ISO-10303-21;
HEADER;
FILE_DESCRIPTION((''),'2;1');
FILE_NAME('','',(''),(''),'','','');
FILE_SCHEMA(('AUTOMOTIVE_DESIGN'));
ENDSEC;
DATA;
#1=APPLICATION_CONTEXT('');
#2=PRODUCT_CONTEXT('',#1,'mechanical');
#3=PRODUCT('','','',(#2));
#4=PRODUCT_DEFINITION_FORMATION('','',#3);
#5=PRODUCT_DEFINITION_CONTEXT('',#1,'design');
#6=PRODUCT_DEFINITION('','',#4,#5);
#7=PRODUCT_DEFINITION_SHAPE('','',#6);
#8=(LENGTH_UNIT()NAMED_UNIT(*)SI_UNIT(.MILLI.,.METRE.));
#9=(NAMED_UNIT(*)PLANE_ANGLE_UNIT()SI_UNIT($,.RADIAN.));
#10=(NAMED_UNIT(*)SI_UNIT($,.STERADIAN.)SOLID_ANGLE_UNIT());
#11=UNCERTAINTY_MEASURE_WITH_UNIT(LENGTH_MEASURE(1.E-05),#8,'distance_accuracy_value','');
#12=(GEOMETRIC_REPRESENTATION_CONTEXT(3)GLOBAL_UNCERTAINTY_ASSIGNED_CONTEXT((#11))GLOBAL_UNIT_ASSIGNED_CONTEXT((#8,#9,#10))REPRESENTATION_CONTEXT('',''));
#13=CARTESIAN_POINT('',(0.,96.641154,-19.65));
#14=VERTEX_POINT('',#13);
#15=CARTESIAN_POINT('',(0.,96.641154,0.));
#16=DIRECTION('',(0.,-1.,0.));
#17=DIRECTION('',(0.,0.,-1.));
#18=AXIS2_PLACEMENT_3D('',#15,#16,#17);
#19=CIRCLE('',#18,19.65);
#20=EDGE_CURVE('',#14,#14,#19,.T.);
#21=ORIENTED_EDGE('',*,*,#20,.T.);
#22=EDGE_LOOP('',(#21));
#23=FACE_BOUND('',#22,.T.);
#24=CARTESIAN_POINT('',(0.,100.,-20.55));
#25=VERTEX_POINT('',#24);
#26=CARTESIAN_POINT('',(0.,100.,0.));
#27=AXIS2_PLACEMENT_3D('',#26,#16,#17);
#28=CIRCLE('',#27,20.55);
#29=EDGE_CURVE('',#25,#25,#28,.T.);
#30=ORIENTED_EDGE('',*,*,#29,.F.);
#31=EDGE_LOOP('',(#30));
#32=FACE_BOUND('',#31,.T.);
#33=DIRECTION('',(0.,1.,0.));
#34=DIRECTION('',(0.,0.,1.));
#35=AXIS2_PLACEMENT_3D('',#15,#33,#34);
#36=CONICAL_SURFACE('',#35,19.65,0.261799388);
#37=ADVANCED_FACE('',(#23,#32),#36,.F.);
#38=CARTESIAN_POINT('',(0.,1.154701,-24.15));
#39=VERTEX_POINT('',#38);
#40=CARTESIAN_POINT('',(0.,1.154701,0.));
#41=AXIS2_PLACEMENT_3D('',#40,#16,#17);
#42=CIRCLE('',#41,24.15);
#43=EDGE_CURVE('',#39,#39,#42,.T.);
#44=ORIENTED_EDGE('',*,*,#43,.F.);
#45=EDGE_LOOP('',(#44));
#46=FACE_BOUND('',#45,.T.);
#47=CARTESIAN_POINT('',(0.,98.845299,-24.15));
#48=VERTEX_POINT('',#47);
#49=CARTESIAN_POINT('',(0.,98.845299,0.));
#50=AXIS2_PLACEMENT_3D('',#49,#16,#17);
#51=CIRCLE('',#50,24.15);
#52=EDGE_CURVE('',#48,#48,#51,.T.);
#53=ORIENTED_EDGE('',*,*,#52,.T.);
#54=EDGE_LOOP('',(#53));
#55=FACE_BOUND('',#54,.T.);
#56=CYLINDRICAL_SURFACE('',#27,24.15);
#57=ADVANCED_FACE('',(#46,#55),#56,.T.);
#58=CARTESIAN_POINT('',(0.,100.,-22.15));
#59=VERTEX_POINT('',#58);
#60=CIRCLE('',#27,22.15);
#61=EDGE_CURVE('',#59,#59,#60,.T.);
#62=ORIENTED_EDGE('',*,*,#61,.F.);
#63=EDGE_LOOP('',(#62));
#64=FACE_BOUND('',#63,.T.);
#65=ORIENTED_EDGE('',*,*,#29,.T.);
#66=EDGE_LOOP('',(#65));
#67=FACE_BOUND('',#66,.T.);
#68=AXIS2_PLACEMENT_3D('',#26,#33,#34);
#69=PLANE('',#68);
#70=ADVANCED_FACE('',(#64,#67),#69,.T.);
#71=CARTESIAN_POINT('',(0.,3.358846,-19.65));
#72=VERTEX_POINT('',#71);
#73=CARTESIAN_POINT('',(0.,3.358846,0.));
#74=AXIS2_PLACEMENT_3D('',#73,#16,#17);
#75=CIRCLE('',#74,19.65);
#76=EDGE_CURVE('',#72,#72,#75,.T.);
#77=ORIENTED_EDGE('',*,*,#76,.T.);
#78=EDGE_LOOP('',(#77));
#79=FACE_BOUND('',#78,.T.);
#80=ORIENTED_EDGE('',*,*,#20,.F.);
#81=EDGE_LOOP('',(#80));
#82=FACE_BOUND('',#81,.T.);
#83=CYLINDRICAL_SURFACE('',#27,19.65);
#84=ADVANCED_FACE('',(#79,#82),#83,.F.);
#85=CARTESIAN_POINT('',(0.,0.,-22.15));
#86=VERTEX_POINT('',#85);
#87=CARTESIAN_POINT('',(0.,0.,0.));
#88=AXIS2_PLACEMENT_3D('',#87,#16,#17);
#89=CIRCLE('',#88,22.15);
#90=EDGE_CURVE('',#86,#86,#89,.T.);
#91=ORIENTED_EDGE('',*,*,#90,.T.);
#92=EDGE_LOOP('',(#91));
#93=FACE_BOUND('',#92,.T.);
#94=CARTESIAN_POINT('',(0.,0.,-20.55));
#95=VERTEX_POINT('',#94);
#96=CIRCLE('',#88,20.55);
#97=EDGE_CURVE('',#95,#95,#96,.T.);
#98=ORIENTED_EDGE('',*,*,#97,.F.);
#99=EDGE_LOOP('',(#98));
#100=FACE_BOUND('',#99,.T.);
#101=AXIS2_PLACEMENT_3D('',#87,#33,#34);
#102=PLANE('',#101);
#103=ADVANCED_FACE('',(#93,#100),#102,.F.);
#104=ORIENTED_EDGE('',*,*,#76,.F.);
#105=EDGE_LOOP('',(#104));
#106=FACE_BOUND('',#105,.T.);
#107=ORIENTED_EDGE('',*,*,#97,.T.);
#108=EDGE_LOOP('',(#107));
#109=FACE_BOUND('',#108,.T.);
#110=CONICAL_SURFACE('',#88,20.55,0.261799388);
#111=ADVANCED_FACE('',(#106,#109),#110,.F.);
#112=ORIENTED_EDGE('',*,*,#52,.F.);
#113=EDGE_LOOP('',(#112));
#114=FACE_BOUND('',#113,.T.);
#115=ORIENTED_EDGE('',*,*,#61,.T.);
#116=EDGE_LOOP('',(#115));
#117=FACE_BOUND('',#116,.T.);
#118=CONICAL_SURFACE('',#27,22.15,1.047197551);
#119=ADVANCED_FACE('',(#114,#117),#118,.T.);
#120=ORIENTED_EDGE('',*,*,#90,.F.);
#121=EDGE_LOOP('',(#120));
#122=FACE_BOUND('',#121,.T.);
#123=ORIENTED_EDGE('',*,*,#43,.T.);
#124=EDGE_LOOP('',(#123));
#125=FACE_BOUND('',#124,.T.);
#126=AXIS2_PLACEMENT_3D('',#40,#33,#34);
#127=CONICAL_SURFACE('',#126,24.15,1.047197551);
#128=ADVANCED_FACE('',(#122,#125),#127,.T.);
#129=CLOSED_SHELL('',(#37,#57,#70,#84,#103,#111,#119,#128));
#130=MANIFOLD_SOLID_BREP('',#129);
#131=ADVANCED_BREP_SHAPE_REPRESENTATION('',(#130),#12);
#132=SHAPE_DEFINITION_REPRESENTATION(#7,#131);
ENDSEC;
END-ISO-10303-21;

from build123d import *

# Parameters (mm, degrees)
DURCHMESSER_WD_R   = 24.15
DURCHMESSER_WD_R_2 = 19.65
ROHR_DEPTH         = 100


with BuildPart() as part:
    # Durchmesser/ WD → Rohr (new body)
    with BuildSketch(Plane(origin=(0, 0, 0), x_dir=(1, 0, 0), z_dir=(0, 1, 0))):
        with Locations(Location((0, 0, 0), (0, 0, 270))):  # turned: the seam where the file's is
            Circle(DURCHMESSER_WD_R)
        with Locations(Location((0, 0, 0), (0, 0, 270))):  # turned: the seam where the file's is
            Circle(DURCHMESSER_WD_R_2, mode=Mode.SUBTRACT)
    extrude(amount=ROHR_DEPTH)

    # Fase1 → Schweißfase 1 (revolve, cut)
    with BuildSketch(Plane.XY, mode=Mode.PRIVATE) as schwei_fase_1_sk:
        Polygon((24.15, 100), (24.15, 98.845299462), (22.15, 100), align=None)
        Polygon((20.55, 100), (19.65, 100), (19.65, 96.641154273), align=None)
    revolve(schwei_fase_1_sk.sketch.rotate(Axis((0, 0, 0), (0, 1, 0)), 90), axis=Axis((0, 0, 0), (0, 1, 0)), mode=Mode.SUBTRACT)  # turned: the seam where the file's is

    # Fase2 → Schweißfase 2 (revolve, cut)
    with BuildSketch(Plane.XY, mode=Mode.PRIVATE) as schwei_fase_2_sk:
        Polygon((24.15, 0), (24.15, 1.154700538), (22.15, 0), align=None)
        Polygon((20.55, 0), (19.65, 0), (19.65, 3.358845727), align=None)
    revolve(schwei_fase_2_sk.sketch.rotate(Axis((0, 0, 0), (0, 1, 0)), 90), axis=Axis((0, 0, 0), (0, 1, 0)), mode=Mode.SUBTRACT)  # turned: the seam where the file's is


solid = part.part
